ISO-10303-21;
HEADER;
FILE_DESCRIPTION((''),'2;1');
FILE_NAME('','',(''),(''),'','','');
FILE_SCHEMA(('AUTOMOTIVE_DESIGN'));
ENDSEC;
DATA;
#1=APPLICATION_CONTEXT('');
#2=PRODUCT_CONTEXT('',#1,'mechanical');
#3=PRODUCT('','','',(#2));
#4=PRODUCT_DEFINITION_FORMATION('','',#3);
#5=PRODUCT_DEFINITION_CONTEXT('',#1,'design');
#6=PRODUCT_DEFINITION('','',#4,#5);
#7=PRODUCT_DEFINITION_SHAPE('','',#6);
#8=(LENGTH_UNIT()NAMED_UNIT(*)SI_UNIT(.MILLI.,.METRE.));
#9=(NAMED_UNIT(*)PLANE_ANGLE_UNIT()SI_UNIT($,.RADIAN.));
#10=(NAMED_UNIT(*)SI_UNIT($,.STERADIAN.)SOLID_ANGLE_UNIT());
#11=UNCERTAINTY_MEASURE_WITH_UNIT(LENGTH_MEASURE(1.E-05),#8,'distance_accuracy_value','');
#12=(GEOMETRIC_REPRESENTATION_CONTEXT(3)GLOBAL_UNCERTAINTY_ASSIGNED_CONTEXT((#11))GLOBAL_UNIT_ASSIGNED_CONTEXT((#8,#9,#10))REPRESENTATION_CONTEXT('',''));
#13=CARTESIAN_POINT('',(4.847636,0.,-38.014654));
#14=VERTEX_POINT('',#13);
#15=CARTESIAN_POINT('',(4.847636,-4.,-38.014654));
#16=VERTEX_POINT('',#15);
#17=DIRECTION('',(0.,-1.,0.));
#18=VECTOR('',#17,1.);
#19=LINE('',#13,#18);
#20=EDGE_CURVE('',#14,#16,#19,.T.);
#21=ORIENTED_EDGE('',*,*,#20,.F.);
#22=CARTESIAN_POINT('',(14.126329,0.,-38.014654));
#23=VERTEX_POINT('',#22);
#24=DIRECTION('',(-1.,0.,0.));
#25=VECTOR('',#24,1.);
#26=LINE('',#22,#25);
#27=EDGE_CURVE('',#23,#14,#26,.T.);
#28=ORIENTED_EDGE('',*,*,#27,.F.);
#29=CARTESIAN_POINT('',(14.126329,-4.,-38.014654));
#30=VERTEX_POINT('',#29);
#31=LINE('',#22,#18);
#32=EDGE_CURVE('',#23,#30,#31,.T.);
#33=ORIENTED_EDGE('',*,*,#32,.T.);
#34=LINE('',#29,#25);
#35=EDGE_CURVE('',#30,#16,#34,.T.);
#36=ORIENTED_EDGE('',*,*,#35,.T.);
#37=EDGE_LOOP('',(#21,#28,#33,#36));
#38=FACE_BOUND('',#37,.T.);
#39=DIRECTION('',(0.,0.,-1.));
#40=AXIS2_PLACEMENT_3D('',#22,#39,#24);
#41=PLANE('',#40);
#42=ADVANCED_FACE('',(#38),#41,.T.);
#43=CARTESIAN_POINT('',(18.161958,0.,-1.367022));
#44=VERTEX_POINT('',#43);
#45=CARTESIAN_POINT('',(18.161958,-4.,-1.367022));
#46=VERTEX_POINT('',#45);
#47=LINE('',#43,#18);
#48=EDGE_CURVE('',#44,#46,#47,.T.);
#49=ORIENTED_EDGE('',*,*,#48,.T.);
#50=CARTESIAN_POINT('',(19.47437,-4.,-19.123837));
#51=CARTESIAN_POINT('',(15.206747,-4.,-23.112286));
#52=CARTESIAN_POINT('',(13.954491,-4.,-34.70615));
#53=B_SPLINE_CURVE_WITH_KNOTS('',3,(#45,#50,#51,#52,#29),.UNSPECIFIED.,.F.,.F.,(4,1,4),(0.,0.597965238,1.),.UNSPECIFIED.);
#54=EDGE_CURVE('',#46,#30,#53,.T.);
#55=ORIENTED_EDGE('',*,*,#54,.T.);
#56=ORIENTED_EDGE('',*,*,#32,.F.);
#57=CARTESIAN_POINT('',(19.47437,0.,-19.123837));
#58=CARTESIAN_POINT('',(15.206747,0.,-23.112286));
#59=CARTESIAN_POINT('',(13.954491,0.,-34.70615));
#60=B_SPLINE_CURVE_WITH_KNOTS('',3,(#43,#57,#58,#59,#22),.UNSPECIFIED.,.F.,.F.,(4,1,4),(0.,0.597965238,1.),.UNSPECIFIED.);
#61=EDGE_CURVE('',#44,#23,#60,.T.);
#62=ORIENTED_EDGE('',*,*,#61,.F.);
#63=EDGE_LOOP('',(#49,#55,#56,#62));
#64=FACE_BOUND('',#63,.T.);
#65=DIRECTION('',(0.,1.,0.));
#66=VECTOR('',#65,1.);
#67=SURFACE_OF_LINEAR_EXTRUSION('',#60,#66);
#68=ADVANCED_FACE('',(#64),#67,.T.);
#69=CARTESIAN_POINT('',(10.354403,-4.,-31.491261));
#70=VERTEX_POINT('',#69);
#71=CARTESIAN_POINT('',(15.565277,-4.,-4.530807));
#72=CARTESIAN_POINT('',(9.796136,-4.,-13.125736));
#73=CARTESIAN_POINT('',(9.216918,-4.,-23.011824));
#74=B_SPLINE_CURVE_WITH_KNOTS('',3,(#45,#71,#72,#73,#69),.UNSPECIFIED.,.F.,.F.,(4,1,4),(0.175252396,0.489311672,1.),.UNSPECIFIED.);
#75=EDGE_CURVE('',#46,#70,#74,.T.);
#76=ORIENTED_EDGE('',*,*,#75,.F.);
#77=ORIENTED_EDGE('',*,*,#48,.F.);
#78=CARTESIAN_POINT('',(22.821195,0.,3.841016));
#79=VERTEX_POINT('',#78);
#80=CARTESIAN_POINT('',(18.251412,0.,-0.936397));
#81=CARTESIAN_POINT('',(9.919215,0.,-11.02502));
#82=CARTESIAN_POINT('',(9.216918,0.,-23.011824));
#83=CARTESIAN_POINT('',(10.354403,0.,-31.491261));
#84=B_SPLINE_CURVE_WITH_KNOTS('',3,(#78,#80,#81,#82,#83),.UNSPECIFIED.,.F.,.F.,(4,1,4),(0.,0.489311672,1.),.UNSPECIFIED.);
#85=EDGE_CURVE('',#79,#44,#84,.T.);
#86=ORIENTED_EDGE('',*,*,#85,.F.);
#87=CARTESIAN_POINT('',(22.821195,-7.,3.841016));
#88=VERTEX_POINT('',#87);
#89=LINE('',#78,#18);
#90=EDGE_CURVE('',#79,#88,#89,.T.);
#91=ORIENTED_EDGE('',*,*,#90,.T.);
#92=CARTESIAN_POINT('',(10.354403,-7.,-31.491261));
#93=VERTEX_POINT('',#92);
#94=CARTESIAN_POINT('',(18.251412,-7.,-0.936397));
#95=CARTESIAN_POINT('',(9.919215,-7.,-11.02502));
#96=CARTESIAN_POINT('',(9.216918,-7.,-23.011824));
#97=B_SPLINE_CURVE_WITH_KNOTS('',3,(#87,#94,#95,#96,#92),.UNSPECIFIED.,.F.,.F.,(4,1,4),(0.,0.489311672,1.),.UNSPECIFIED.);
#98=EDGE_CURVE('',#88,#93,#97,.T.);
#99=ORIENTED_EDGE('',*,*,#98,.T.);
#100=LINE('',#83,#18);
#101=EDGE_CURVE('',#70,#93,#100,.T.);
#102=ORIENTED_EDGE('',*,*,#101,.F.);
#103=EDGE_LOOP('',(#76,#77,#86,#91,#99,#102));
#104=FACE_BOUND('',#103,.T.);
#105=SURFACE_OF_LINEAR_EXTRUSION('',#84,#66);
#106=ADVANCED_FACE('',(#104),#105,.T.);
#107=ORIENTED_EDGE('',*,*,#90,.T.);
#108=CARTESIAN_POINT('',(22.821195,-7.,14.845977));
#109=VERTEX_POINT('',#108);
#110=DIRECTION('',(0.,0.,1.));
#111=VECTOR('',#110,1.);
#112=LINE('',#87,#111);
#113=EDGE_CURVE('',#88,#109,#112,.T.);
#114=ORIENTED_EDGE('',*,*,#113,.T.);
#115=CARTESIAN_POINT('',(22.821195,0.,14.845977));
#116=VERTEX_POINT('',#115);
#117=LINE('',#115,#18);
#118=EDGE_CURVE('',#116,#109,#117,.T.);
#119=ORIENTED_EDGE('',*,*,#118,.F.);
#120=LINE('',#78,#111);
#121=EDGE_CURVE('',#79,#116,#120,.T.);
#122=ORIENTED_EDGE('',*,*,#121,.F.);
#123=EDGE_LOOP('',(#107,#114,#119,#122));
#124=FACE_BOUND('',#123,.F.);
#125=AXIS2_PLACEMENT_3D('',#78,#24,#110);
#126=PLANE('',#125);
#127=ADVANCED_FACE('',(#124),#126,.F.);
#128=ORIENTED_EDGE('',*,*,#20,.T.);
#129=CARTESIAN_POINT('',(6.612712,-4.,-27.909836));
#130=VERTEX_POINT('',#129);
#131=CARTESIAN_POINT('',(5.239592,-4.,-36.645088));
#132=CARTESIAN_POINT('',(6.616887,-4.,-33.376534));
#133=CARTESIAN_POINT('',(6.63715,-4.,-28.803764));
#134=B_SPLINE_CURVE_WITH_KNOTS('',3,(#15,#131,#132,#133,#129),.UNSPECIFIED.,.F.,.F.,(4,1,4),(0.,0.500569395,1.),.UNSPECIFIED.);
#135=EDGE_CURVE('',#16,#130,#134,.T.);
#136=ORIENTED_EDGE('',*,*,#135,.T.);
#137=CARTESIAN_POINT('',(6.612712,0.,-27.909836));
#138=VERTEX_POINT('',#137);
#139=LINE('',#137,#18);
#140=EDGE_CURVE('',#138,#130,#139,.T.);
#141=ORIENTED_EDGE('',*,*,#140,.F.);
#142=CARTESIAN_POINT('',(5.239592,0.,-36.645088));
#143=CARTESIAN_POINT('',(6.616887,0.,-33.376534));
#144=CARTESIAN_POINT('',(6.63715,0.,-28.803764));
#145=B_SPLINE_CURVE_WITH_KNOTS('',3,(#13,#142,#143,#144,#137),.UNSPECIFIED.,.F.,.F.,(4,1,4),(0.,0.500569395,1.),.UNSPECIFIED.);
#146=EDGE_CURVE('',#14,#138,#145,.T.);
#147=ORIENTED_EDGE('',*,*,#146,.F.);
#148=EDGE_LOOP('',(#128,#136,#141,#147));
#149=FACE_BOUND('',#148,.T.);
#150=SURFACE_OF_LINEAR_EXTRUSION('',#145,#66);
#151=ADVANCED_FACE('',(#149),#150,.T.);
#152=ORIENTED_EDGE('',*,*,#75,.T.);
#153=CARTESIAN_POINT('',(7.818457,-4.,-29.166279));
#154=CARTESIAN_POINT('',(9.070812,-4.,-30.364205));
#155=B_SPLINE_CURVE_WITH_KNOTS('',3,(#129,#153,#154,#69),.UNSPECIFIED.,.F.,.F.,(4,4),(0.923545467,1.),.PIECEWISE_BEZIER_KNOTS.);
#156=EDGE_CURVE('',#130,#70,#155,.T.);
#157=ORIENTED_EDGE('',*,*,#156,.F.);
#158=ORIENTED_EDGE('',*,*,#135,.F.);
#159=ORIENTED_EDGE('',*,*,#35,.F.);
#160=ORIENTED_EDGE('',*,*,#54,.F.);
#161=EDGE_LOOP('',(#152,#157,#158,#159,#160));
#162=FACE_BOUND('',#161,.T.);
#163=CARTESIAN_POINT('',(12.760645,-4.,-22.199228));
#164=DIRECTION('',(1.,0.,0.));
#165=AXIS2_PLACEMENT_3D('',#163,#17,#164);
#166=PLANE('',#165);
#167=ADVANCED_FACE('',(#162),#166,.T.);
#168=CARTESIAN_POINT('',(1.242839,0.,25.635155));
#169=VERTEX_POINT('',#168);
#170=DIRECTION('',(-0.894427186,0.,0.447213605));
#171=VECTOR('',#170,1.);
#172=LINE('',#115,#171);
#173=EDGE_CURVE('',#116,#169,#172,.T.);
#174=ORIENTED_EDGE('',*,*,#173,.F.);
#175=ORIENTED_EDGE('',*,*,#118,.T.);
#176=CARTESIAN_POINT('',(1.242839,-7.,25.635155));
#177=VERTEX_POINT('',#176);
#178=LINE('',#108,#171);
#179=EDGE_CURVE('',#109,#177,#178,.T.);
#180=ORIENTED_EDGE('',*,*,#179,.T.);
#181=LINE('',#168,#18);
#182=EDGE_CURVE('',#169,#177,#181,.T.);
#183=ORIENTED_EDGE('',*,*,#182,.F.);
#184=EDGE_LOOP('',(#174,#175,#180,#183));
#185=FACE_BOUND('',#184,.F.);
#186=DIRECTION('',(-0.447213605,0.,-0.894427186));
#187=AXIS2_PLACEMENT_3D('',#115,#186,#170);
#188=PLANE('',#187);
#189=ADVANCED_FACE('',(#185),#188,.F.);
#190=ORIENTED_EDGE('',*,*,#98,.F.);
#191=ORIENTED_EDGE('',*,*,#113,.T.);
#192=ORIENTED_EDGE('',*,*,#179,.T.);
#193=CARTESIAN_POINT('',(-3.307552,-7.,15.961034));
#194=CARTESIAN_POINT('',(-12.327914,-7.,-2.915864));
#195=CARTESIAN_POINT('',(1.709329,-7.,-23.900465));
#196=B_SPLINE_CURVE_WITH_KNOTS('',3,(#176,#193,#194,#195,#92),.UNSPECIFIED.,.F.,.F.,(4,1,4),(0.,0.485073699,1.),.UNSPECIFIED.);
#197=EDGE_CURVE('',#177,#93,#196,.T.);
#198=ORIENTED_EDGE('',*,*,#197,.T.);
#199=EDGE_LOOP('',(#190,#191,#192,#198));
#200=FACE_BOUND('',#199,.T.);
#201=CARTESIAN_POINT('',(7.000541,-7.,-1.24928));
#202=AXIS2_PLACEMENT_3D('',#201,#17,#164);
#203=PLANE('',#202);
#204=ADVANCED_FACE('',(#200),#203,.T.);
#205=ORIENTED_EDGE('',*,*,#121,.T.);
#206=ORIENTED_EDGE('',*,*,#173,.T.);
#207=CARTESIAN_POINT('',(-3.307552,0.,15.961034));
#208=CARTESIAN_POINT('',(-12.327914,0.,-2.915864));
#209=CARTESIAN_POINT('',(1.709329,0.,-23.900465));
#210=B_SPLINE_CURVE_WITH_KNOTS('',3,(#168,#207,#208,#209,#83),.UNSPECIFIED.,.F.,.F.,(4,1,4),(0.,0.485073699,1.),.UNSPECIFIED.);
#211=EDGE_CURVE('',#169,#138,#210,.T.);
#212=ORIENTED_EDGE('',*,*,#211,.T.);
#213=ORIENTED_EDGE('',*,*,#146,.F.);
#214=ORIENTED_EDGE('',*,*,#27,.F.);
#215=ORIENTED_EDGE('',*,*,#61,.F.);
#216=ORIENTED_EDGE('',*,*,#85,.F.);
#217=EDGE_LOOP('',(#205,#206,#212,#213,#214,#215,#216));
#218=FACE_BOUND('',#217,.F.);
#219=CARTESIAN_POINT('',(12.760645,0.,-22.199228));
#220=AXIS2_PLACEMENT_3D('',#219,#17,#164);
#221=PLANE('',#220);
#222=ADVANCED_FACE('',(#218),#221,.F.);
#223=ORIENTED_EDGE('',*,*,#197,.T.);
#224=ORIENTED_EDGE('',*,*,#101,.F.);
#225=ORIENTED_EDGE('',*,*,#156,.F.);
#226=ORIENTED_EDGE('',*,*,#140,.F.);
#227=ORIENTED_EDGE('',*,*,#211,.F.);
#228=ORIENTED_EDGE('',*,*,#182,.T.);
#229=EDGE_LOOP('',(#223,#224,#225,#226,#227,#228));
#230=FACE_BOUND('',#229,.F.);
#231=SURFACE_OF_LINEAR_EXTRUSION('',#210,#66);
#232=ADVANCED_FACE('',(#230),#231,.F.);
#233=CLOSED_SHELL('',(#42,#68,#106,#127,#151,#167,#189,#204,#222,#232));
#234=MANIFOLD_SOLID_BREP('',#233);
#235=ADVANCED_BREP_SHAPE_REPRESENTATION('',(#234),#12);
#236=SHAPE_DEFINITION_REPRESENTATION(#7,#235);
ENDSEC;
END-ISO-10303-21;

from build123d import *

# Parameters (mm, degrees)
F1_DEPTH = 7
F3_DEPTH = 4


with BuildPart() as f1:
    # F0 (on Front) → F1 (new body)
    with BuildSketch(Plane.XZ):
        with BuildLine():
            Line((22.8211954236, 14.845976606), (1.242839382, 25.6351549178))
            add(Edge.make_bspline(
                [(1.242839382, 25.6351549178), (-3.3075517331, 15.9610341908), (-12.3279143796, -2.9158635901), (1.7093285047, -23.9004648882), (10.3544034064, -31.4912609756)],
                knots=[0, 0, 0, 0, 0.4850736987, 1, 1, 1, 1], degree=3))
            add(Edge.make_bspline(
                [(22.8211954236, 3.8410162088), (18.2514117813, -0.9363969588), (9.9192151448, -11.0250196853), (9.2169178473, -23.0118236581), (10.3544034064, -31.4912609756)],
                knots=[0, 0, 0, 0, 0.4893116722, 1, 1, 1, 1], degree=3))
            Line((22.8211954236, 3.8410162088), (22.8211954236, 14.845976606))
        make_face()
    extrude(amount=F1_DEPTH)

    # F2 (on face) → F3 (join)
    with BuildSketch(Plane(origin=(0, 0, 0), x_dir=(-1, 0, 0), z_dir=(0, 1, 0))):
        with BuildLine():
            add(Edge.make_bspline(
                [(-18.1619582568, -1.3670217727), (-15.565277104, -4.5308071679), (-9.7961358608, -13.1257357988), (-9.2169178473, -23.0118236581), (-10.3544034064, -31.4912609756)],
                knots=[0.1752523957, 0.1752523957, 0.1752523957, 0.1752523957, 0.4893116722, 1, 1, 1, 1], degree=3))
            add(Edge.make_bspline(
                [(-18.1619582568, -1.3670217727), (-19.4743704051, -19.1238373518), (-15.2067467943, -23.1122856364), (-13.9544907725, -34.7061504027), (-14.1263287514, -38.0146540701)],
                knots=[0, 0, 0, 0, 0.5979652383, 1, 1, 1, 1], degree=3))
            Line((-14.1263287514, -38.0146540701), (-4.847635515, -38.0146540701))
            add(Edge.make_bspline(
                [(-4.847635515, -38.0146540701), (-5.2395921286, -36.6450878596), (-6.6168872423, -33.3765336604), (-6.6371501943, -28.8037641652), (-6.6127115831, -27.9098357264)],
                knots=[0, 0, 0, 0, 0.5005693945, 1, 1, 1, 1], degree=3))
            add(Edge.make_bspline(
                [(-6.6127115831, -27.9098357264), (-7.8184565023, -29.1662793194), (-9.0708116266, -30.3642049847), (-10.3544034064, -31.4912609756)],
                knots=[0.9235454666, 0.9235454666, 0.9235454666, 0.9235454666, 1, 1, 1, 1], degree=3))
        make_face()
    extrude(amount=-F3_DEPTH)


solid = f1.part
